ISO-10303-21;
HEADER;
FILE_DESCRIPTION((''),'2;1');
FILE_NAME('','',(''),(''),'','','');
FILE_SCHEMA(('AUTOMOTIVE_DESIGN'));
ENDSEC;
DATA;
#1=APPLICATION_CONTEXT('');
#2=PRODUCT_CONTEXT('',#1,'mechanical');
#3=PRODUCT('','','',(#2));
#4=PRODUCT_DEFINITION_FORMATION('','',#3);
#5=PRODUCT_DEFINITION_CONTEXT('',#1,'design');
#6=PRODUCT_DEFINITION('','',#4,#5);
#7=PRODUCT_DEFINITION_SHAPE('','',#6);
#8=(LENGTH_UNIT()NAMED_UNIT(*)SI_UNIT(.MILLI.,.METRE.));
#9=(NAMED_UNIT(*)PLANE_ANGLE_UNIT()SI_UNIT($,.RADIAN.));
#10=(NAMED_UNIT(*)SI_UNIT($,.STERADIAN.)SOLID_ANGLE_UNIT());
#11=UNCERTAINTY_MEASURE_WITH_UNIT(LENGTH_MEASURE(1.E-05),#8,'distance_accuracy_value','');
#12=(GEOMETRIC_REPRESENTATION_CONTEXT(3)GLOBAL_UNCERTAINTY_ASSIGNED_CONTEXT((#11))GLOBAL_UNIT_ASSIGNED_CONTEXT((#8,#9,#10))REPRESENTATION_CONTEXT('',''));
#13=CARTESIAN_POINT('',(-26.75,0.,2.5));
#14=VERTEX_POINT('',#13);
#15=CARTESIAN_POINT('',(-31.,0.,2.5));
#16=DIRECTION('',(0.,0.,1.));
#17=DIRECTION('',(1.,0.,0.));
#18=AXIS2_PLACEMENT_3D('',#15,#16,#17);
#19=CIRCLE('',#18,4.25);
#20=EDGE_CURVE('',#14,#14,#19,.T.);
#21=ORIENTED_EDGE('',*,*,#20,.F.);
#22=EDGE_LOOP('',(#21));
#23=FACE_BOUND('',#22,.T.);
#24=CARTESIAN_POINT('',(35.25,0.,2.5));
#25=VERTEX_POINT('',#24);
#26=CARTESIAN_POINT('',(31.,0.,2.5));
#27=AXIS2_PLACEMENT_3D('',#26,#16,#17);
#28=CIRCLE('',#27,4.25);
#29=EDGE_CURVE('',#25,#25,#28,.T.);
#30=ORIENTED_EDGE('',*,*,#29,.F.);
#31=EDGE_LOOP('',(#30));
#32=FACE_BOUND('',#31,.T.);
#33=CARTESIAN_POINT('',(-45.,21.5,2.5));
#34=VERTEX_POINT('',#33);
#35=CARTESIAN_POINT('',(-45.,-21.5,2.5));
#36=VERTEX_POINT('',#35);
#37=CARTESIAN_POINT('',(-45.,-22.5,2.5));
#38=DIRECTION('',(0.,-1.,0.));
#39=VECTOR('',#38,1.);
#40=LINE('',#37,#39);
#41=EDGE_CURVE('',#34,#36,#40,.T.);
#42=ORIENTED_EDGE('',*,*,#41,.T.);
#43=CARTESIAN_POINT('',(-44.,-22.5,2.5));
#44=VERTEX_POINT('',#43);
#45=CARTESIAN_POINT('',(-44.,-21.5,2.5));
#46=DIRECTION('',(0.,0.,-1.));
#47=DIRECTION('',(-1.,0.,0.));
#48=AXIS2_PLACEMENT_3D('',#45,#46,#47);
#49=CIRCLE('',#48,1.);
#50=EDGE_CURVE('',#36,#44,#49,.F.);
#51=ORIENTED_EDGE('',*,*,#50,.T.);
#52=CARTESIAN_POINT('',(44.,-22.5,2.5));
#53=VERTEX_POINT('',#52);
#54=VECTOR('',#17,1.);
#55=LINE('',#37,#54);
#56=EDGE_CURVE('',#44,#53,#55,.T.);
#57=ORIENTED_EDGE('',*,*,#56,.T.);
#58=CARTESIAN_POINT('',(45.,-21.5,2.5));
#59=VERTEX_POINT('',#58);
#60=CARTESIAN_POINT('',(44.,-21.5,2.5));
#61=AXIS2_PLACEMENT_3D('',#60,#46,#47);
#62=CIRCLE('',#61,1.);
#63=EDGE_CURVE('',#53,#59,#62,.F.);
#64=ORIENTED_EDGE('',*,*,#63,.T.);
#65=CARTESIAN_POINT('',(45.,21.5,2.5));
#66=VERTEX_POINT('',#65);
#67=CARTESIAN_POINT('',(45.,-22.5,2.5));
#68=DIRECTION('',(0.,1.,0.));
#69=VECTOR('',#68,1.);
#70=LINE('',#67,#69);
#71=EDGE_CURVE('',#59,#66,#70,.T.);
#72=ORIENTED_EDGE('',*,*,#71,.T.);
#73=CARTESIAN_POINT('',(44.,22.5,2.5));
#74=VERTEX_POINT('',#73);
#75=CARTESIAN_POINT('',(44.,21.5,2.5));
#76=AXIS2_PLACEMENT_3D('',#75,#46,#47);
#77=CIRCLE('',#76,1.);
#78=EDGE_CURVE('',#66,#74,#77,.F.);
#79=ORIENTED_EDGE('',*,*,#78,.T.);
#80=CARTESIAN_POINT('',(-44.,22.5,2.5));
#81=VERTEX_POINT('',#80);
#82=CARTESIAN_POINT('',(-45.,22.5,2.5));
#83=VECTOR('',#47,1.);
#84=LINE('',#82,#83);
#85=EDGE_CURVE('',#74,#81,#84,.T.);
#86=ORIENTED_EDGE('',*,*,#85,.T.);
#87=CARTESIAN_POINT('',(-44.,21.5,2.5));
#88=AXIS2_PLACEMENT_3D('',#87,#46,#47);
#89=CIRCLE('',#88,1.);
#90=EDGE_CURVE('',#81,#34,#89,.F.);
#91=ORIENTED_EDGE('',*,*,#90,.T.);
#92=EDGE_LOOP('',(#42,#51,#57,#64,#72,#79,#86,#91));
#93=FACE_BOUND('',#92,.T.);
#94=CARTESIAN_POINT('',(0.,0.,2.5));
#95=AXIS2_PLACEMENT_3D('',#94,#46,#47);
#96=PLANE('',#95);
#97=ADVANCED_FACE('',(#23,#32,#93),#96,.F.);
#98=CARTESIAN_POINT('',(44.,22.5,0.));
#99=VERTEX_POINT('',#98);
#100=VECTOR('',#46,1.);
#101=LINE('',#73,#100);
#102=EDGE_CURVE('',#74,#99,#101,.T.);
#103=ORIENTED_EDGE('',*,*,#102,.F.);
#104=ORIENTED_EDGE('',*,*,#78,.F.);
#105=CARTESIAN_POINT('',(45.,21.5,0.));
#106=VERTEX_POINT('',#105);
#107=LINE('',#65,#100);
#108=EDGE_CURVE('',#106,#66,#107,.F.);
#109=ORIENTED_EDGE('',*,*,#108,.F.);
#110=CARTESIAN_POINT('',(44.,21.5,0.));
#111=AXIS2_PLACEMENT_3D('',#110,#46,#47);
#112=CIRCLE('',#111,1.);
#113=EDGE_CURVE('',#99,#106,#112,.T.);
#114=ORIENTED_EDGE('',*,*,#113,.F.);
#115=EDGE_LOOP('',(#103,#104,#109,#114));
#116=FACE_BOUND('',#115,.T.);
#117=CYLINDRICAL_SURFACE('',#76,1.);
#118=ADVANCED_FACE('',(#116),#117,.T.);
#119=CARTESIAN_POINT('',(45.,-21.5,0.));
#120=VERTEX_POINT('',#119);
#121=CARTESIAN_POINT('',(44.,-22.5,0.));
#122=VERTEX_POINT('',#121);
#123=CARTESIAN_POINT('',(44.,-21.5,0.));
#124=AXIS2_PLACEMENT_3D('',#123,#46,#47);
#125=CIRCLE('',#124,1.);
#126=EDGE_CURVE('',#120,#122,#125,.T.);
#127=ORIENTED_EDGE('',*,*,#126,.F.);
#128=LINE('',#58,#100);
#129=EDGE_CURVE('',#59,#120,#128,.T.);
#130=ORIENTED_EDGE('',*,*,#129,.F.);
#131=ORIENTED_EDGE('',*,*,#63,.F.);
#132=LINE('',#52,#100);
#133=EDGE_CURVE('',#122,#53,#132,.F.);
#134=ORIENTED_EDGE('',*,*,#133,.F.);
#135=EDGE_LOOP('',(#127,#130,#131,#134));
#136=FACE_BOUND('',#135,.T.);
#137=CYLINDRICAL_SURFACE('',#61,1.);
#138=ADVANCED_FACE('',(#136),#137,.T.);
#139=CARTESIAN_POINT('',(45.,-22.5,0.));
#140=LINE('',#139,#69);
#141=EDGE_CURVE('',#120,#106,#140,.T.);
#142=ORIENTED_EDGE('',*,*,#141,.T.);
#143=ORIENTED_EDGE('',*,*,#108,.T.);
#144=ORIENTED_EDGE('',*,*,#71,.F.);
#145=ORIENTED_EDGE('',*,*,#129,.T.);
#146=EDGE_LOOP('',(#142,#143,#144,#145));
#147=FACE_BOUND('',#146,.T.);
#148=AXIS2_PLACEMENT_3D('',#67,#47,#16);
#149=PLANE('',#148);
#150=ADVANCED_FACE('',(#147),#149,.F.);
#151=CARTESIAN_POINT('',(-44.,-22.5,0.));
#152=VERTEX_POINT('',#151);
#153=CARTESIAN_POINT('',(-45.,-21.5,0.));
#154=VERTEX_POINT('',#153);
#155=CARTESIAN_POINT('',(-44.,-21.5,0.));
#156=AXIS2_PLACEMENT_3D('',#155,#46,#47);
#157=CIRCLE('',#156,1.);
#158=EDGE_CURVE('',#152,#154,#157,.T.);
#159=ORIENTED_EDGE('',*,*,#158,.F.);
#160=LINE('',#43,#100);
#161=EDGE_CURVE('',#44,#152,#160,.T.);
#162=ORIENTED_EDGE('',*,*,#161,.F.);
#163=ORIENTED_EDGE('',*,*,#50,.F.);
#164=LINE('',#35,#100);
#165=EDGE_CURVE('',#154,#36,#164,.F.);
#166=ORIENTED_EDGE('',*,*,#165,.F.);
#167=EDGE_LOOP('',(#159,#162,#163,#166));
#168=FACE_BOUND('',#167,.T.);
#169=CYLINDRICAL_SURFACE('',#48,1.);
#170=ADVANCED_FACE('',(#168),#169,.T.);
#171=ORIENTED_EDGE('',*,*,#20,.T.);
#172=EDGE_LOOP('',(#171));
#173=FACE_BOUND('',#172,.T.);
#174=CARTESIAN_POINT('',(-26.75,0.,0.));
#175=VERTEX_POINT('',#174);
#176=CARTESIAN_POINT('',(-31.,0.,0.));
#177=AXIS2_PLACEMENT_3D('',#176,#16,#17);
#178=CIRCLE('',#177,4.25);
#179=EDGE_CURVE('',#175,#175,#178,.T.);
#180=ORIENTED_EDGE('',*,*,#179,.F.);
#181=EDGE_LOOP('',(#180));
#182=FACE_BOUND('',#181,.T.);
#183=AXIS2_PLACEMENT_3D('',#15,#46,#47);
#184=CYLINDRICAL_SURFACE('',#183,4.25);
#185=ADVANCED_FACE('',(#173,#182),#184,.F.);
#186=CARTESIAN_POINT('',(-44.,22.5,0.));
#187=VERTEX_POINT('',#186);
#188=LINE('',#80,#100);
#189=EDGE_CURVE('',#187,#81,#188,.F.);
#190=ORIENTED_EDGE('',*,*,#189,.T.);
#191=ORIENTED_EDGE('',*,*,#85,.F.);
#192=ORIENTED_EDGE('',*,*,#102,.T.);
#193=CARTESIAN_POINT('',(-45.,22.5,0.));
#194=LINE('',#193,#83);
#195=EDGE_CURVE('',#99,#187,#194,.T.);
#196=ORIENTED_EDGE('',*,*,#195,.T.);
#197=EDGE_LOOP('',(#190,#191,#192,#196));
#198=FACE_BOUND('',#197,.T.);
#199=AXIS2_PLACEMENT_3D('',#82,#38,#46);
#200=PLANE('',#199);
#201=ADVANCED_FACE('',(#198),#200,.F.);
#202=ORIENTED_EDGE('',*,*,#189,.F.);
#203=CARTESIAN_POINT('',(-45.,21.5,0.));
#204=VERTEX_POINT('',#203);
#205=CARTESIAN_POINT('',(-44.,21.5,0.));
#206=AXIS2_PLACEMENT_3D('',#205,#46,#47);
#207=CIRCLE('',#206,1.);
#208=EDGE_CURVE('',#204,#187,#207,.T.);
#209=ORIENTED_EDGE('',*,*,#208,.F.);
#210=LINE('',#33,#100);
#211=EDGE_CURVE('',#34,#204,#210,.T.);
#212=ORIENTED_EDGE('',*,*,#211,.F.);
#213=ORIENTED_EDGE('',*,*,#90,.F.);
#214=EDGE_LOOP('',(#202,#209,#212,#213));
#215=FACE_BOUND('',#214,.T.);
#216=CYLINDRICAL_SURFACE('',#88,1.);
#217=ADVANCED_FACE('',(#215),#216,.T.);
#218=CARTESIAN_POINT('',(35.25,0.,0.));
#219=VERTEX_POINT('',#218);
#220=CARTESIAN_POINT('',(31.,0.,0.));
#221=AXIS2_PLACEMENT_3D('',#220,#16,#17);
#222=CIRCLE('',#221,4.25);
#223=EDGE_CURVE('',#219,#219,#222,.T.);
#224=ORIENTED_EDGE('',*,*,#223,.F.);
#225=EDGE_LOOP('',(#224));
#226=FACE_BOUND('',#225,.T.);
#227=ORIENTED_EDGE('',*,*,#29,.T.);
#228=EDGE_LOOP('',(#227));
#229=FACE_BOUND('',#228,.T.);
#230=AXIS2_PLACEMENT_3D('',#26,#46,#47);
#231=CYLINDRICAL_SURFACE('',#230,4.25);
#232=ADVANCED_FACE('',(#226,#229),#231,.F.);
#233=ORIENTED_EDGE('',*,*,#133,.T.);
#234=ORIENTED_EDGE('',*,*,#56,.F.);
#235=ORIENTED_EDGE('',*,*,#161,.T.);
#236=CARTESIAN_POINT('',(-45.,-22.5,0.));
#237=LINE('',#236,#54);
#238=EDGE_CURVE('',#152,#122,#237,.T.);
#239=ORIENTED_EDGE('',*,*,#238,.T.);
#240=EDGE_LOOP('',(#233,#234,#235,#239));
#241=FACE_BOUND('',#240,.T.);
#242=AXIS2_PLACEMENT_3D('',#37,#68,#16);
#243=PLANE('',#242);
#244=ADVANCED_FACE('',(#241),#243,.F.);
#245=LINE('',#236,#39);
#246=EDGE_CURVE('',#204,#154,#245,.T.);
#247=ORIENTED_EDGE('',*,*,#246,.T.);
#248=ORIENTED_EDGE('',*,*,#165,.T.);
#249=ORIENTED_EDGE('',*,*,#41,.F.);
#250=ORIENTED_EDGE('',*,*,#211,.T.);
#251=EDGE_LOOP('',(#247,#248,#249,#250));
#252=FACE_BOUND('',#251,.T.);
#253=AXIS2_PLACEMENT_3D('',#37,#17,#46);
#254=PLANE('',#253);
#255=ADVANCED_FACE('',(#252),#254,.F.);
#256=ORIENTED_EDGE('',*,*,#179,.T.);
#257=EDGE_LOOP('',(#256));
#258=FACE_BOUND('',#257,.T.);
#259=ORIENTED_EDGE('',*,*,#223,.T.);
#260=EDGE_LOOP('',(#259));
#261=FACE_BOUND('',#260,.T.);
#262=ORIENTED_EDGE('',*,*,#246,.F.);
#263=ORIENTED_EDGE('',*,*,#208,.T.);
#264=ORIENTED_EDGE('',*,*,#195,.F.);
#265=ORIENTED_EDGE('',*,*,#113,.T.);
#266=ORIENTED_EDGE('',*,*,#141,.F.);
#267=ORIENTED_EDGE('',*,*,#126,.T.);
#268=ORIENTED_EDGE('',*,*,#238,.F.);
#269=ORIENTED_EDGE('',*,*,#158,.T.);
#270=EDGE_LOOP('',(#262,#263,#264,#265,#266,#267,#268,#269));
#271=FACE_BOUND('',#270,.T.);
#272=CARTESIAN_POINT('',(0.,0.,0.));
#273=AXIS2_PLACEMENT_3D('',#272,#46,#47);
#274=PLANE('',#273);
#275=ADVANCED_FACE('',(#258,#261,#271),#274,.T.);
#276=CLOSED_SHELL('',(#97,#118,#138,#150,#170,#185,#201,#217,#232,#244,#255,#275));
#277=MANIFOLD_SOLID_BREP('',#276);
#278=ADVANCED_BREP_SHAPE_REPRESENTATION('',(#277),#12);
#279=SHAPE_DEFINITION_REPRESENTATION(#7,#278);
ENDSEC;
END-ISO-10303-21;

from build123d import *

# Parameters (mm, degrees)
SKETCH_1_W      = 90
SKETCH_1_H      = 45
SKETCH_1_R      = 4.25
EXTRUDE_1_DEPTH = 2.5
FILLET_1_R      = 1


with BuildPart() as part:
    # Эскиз1 → Бобышка-Вытянуть1 (new body)
    with BuildSketch(Plane.XY):
        Rectangle(SKETCH_1_W, SKETCH_1_H)
        with Locations((-31, 0)):
            Circle(SKETCH_1_R, mode=Mode.SUBTRACT)
        with Locations((31, 0)):
            Circle(SKETCH_1_R, mode=Mode.SUBTRACT)
    extrude(amount=EXTRUDE_1_DEPTH)

    # Скругление1
    fillet_1_edges = [part.edges().sort_by_distance(p)[0] for p in [
        (45, -22.5, 1.25),
        (-45, -22.5, 1.25),
        (-45, 22.5, 1.25),
        (45, 22.5, 1.25),
    ]]
    fillet(fillet_1_edges, radius=FILLET_1_R)


solid = part.part
